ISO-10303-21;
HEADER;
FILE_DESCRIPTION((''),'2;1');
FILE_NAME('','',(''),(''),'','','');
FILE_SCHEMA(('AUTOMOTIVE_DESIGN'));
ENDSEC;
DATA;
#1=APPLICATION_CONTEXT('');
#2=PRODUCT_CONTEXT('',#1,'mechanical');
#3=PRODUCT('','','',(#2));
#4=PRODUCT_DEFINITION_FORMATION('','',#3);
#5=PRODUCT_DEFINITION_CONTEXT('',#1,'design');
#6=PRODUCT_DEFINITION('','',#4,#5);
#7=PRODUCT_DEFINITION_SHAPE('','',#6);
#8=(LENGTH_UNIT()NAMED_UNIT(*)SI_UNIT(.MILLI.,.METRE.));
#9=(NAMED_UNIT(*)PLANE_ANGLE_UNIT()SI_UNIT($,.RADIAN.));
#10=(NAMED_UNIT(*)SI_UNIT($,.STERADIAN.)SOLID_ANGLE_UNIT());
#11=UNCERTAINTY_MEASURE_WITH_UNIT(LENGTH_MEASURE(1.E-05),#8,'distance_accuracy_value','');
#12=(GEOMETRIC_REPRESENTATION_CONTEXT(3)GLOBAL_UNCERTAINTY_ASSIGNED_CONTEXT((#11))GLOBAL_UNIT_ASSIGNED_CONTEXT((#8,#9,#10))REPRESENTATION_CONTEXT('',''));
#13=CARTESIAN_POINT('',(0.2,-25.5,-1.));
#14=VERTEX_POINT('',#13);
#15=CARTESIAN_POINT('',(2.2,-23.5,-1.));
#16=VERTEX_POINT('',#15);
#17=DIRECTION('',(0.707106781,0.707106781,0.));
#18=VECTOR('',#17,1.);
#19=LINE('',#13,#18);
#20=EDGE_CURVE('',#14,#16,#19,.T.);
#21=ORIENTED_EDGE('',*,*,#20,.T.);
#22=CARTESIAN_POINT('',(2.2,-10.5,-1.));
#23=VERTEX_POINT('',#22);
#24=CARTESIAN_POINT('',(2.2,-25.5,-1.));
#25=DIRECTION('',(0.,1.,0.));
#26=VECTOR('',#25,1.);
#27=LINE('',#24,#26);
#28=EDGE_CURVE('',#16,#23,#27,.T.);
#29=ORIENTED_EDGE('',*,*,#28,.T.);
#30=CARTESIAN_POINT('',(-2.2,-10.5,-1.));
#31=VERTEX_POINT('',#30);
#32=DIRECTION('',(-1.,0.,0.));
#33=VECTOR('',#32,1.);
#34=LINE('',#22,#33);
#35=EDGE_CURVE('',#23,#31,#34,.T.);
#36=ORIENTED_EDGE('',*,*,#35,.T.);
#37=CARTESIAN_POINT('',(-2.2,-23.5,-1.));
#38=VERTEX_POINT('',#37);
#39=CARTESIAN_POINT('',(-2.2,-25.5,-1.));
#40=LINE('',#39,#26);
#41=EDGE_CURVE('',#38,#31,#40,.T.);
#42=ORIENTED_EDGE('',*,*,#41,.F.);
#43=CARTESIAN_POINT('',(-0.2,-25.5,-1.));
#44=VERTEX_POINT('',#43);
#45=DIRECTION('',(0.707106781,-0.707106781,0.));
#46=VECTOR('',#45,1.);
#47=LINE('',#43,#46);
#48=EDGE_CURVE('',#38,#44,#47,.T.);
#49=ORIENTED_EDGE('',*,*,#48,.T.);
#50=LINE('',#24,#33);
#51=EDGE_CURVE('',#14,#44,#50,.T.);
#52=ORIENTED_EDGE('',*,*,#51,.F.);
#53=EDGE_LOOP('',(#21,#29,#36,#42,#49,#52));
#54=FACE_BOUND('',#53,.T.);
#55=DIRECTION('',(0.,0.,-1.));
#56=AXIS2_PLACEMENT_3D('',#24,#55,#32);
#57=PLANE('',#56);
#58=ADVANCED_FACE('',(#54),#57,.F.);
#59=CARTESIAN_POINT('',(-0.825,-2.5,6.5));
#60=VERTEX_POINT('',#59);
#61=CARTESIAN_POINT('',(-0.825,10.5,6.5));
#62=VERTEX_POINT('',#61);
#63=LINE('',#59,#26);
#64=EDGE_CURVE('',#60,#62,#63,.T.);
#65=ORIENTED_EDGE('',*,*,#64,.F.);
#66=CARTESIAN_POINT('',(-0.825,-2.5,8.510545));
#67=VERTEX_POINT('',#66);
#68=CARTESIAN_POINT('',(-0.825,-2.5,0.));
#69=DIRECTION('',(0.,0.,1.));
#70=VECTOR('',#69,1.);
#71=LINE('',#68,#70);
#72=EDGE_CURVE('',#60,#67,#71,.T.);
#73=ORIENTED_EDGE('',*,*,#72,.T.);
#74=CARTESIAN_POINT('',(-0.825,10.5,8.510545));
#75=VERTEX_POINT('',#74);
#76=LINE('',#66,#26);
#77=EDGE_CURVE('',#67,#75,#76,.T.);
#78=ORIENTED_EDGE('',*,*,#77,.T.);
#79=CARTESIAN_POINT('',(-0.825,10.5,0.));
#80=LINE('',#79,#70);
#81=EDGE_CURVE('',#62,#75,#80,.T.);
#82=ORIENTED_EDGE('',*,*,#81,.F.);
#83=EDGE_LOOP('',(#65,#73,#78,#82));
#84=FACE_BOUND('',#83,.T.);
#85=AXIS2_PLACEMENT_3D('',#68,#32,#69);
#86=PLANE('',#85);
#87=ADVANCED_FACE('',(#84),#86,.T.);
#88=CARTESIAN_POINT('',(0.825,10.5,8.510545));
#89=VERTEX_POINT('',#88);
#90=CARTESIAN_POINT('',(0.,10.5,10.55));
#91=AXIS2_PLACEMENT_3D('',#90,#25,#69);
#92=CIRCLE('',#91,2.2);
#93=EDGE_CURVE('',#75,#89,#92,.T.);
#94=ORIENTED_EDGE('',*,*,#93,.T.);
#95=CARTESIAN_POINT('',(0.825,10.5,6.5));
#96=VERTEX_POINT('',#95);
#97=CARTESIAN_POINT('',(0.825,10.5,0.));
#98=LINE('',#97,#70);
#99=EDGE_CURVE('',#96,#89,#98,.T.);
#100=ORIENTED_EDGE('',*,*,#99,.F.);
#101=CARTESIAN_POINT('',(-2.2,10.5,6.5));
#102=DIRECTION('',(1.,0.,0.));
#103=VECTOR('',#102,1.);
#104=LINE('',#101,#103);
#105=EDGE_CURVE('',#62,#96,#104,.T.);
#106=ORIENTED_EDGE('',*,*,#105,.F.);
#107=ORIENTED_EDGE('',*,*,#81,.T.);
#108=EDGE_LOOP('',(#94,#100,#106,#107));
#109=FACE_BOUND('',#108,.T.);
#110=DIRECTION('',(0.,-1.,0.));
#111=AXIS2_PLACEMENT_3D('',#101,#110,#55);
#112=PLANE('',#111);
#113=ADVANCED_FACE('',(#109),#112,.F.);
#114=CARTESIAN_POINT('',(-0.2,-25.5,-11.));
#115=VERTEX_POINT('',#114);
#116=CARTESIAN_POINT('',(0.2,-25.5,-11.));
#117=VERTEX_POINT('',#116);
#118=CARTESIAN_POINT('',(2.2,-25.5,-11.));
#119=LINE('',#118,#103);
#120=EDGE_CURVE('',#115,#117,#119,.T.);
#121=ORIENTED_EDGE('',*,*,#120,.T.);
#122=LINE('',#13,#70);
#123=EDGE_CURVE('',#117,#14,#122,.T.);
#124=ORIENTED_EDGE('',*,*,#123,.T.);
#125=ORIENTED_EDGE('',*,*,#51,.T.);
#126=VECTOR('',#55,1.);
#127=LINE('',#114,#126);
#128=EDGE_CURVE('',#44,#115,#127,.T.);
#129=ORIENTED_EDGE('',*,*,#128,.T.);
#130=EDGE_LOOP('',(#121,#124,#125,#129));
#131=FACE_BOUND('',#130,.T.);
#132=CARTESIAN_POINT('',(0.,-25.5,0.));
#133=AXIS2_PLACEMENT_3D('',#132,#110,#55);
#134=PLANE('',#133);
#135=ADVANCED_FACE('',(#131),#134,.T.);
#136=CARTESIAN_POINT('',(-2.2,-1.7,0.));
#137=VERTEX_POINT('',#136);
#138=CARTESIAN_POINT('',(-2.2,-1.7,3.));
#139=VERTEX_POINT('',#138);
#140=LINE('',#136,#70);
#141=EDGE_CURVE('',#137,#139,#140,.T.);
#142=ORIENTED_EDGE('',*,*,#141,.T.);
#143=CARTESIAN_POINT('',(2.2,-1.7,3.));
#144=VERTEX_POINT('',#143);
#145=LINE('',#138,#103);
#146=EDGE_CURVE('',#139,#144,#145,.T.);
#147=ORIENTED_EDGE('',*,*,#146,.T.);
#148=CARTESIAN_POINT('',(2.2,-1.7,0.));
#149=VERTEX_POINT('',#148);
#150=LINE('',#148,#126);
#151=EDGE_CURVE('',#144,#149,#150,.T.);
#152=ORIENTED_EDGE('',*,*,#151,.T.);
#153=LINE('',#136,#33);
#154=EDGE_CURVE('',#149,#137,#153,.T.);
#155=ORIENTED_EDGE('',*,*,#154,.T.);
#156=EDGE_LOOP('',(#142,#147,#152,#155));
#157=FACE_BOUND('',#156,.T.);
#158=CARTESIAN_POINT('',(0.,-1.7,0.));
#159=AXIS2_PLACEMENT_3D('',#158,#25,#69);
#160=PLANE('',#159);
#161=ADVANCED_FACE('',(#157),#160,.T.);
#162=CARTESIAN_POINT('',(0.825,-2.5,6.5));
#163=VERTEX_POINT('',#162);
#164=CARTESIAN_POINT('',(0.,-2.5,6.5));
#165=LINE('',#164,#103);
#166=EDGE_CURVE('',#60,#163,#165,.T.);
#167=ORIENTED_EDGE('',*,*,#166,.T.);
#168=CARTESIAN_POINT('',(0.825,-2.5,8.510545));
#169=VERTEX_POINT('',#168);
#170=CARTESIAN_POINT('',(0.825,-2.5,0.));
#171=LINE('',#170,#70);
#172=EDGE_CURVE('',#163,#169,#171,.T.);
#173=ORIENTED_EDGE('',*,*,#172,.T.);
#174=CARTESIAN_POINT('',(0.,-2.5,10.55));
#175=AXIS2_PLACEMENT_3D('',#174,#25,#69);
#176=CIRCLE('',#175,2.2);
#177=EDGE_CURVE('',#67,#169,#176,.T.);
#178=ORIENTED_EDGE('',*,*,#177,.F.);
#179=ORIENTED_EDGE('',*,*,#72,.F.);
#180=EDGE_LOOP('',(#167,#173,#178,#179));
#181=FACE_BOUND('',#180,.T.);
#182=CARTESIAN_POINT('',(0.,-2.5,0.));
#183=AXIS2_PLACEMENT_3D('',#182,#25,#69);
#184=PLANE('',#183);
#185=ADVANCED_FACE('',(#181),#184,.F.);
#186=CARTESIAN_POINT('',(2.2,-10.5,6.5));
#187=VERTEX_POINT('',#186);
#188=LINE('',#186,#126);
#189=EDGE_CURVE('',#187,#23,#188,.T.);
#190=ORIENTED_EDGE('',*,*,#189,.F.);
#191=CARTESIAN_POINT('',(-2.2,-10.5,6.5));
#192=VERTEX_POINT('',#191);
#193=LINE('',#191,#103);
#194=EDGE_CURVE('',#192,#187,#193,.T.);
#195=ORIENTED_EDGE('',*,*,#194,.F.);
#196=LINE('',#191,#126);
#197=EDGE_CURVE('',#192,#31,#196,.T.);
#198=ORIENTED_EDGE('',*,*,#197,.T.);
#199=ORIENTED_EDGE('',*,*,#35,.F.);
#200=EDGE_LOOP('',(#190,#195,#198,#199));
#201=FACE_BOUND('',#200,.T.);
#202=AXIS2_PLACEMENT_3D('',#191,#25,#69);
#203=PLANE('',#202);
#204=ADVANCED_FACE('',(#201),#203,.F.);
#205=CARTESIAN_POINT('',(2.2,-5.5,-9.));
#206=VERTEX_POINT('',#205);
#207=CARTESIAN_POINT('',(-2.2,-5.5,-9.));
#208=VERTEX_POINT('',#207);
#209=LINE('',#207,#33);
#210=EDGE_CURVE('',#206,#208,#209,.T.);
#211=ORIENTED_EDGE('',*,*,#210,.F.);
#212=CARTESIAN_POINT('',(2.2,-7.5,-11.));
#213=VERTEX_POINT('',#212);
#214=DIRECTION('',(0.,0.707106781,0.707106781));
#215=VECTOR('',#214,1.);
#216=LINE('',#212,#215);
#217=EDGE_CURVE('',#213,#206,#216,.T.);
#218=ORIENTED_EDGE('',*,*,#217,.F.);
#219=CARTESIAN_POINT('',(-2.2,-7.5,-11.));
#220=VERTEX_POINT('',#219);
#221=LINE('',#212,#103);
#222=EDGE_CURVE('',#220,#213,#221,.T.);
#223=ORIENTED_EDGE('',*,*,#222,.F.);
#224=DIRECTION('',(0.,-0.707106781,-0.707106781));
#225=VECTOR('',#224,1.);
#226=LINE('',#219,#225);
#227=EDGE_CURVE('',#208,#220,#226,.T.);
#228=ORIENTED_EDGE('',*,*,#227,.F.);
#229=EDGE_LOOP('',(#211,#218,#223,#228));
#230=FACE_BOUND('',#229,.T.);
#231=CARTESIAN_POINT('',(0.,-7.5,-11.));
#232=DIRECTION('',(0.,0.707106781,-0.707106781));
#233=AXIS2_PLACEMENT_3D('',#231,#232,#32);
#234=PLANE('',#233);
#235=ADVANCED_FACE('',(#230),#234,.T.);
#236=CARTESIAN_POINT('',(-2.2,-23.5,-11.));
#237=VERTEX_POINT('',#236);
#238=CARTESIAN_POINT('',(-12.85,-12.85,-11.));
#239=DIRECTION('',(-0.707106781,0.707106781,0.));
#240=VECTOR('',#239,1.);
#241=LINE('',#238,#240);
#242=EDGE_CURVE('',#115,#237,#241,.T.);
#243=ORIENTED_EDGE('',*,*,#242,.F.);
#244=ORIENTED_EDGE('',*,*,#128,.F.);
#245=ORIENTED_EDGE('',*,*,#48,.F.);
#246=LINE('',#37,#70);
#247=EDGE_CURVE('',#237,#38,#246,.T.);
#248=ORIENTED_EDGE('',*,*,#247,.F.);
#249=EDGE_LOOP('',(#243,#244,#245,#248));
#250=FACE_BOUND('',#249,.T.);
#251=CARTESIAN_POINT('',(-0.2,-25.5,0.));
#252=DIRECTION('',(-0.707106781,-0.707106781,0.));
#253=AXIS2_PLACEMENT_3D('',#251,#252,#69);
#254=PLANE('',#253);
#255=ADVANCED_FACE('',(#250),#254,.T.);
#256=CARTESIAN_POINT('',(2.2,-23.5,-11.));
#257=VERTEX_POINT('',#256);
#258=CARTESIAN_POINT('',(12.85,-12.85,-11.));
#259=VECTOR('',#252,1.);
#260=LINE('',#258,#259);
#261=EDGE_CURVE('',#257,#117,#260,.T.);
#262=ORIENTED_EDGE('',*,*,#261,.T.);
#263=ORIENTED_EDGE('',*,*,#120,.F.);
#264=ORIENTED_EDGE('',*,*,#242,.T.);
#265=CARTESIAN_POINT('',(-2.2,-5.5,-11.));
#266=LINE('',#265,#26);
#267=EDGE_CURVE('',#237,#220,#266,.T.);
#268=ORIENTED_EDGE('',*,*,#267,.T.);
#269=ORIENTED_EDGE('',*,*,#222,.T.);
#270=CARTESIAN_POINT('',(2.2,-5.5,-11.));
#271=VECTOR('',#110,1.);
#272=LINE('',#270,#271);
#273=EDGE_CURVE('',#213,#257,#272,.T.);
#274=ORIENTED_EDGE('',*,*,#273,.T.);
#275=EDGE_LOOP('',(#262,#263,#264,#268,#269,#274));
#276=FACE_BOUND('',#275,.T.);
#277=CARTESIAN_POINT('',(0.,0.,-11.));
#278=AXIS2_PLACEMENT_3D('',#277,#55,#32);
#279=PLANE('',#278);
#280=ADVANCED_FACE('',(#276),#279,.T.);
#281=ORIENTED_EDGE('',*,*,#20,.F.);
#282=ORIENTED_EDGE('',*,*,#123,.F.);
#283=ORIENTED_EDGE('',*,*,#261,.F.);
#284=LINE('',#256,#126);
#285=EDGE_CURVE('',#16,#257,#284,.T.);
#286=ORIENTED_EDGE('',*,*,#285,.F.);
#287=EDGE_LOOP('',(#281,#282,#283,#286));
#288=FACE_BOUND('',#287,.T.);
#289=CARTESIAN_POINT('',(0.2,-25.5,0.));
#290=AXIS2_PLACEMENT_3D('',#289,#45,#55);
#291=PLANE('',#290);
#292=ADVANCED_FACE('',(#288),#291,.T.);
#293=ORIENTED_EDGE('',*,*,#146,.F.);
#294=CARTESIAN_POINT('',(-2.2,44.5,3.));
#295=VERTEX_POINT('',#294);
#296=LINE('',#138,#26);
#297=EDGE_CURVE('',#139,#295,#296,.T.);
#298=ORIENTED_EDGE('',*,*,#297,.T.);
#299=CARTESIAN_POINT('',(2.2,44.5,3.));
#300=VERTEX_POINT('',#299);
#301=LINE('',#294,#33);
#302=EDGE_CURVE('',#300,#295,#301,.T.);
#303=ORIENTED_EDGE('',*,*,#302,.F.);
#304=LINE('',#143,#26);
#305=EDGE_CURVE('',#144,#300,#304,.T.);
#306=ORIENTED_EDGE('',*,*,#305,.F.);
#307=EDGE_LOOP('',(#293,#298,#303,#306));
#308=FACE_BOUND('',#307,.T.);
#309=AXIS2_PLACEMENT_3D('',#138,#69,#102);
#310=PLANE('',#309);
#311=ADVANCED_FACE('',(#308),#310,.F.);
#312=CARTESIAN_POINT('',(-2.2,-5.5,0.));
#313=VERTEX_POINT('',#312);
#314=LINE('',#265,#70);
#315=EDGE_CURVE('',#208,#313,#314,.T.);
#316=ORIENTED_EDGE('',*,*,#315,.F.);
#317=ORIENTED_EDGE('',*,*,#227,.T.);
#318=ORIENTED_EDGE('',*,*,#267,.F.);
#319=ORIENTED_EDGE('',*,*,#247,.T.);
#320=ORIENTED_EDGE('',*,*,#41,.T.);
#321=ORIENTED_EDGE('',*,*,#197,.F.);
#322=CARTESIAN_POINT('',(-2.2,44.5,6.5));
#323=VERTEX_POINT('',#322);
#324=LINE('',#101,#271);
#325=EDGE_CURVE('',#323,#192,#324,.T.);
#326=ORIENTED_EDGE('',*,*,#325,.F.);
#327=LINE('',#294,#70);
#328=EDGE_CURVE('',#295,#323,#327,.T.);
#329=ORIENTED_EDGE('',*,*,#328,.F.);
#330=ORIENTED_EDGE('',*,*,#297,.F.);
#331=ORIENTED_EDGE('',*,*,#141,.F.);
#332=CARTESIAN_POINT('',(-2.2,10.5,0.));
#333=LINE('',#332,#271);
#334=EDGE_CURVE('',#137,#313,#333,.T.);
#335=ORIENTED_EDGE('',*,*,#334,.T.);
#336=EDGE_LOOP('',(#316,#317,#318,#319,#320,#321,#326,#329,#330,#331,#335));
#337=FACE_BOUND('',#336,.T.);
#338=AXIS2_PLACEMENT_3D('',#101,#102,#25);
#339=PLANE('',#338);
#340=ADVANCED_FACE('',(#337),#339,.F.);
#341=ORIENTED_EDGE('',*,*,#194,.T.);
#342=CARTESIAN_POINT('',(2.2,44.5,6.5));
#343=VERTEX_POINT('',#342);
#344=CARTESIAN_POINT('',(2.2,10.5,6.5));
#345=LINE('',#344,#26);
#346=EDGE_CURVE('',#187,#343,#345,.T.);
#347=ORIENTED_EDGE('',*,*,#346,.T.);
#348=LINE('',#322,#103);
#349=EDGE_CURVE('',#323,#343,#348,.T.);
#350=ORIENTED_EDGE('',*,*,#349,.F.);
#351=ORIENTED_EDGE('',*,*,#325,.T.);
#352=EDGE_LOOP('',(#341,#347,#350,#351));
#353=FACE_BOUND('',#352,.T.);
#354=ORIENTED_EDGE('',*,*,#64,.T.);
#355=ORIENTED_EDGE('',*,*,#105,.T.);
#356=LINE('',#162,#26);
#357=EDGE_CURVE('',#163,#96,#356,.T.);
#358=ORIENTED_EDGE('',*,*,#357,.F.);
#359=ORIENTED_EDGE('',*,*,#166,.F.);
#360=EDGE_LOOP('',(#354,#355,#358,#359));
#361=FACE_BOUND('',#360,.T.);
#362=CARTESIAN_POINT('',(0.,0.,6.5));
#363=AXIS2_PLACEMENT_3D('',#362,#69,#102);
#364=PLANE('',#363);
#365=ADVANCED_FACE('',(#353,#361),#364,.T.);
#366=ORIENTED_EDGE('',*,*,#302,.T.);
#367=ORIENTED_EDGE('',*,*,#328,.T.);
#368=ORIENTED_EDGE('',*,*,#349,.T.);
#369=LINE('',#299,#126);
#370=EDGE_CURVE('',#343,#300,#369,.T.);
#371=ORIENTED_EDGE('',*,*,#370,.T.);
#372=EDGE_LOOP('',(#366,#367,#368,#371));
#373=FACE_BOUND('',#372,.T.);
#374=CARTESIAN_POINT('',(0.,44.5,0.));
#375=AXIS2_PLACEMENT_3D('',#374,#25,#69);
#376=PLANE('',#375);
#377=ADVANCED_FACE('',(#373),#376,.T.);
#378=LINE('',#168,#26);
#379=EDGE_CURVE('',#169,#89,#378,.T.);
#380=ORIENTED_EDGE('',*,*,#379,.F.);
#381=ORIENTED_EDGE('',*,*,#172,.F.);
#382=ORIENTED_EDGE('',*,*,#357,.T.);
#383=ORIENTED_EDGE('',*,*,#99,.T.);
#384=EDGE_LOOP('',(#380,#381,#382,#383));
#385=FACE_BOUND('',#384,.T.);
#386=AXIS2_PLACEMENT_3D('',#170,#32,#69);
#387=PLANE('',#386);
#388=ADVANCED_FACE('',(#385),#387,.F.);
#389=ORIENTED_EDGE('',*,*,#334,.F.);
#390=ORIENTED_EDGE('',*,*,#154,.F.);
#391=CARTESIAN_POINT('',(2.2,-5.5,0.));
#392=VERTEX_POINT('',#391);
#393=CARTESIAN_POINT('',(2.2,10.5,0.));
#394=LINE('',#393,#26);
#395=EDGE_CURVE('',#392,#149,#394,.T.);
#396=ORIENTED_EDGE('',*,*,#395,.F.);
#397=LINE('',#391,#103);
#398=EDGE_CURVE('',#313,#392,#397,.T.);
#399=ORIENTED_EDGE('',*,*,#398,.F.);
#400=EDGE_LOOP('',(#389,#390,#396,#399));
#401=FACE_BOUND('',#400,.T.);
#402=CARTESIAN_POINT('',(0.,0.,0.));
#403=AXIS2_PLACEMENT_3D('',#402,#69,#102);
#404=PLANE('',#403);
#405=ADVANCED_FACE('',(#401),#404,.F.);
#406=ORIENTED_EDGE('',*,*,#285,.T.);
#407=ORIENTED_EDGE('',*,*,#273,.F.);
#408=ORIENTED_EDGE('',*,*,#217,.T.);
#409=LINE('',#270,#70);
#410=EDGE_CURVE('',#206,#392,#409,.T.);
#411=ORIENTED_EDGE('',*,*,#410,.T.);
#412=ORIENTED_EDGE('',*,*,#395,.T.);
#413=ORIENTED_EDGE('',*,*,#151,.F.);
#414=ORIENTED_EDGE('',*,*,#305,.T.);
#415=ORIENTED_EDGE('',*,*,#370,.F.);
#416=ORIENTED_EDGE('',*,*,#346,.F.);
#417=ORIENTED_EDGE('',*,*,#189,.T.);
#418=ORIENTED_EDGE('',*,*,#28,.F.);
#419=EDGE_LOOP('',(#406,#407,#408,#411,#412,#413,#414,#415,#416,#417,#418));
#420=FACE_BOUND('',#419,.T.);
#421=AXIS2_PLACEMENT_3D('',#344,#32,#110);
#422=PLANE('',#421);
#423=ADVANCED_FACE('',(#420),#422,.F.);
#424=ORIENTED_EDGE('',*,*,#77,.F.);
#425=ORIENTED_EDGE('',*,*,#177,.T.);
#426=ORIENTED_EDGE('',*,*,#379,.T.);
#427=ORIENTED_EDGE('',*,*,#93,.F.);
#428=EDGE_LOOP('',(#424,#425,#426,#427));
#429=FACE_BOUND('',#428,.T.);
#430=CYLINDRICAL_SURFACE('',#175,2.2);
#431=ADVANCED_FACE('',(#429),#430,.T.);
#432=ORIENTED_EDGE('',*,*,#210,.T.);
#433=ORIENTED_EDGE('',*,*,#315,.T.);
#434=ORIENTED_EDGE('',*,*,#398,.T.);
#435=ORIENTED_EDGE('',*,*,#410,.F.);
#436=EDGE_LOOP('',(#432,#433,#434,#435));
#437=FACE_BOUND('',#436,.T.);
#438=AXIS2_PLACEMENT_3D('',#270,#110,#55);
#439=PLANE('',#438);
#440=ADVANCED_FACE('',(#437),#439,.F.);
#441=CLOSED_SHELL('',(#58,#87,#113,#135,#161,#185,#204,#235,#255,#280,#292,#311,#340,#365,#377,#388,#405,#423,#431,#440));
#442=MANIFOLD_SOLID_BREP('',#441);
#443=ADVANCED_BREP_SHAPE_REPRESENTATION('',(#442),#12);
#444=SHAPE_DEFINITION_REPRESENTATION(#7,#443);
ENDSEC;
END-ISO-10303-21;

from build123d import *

# Parameters (mm, degrees)
SZKIC1_W                    = 4.4
SZKIC1_H                    = 21
DODANIE_WYCI_GNI_CIE1_DEPTH = 6.5
SZKIC3_R                    = 2.2
SZKIC3_W                    = 1.65
SZKIC3_H                    = 4.05
DODANIE_WYCI_GNI_CIE2_DEPTH = 13
SKETCH1_W                   = 4.4
SKETCH1_H                   = 5
BOSS_EXTRUDE1_DEPTH         = 11
SKETCH3_W                   = 4.4
SKETCH3_H                   = 10
BOSS_EXTRUDE3_DEPTH         = 15
CHAMFER1_SIZE               = 2
SKETCH5_W                   = 4.4
SKETCH5_H                   = 3
CUT_EXTRUDE1_DEPTH          = 12.2
SZKIC4_W                    = 4.4
SZKIC4_H                    = 3.5
DODANIE_WYCI_GNI_CIE3_DEPTH = 34


with BuildPart() as part:
    # Szkic1 → Dodanie-wyciągnięcie1 (new body)
    with BuildSketch(Plane.XY):
        Rectangle(SZKIC1_W, SZKIC1_H)
    extrude(amount=DODANIE_WYCI_GNI_CIE1_DEPTH)

    # Szkic3 → Dodanie-wyciągnięcie2 (add)
    with BuildSketch(Plane(origin=(0, 10.5, 0), x_dir=(1, 0, 0), z_dir=(0, 1, 0))):
        with Locations((0, -10.55)):
            Circle(SZKIC3_R)
        with Locations((0, -8.525)):
            Rectangle(SZKIC3_W, SZKIC3_H)
    extrude(amount=-DODANIE_WYCI_GNI_CIE2_DEPTH)

    # Sketch1 → Boss-Extrude1 (add)
    with BuildSketch(Plane(origin=(0, 0, 0), x_dir=(-1, 0, 0), z_dir=(0, 0, -1))):
        with Locations((0, -8)):
            Rectangle(SKETCH1_W, SKETCH1_H)
    extrude(amount=BOSS_EXTRUDE1_DEPTH)

    # Sketch3 → Boss-Extrude3 (add)
    with BuildSketch(Plane.XZ.offset(10.5)):
        with Locations((0, -6)):
            Rectangle(SKETCH3_W, SKETCH3_H)
    extrude(amount=BOSS_EXTRUDE3_DEPTH)

    # Chamfer1
    chamfer1_edges = [part.edges().sort_by_distance(p)[0] for p in [
        (0, -5.5, -11),
        (2.2, -25.5, -6),
        (-2.2, -25.5, -6),
    ]]
    chamfer(chamfer1_edges, length=CHAMFER1_SIZE)

    # Sketch5 → Cut-Extrude1 (cut)
    with BuildSketch(Plane(origin=(0, 10.5, 0), x_dir=(1, 0, 0), z_dir=(0, 1, 0))):
        with Locations((0, -1.5)):
            Rectangle(SKETCH5_W, SKETCH5_H)
    extrude(amount=-CUT_EXTRUDE1_DEPTH, mode=Mode.SUBTRACT)

    # Szkic4 → Dodanie-wyciągnięcie3 (add)
    with BuildSketch(Plane(origin=(0, 10.5, 0), x_dir=(1, 0, 0), z_dir=(0, 1, 0))):
        with Locations((0, -4.75)):
            Rectangle(SZKIC4_W, SZKIC4_H)
    extrude(amount=DODANIE_WYCI_GNI_CIE3_DEPTH)


solid = part.part
